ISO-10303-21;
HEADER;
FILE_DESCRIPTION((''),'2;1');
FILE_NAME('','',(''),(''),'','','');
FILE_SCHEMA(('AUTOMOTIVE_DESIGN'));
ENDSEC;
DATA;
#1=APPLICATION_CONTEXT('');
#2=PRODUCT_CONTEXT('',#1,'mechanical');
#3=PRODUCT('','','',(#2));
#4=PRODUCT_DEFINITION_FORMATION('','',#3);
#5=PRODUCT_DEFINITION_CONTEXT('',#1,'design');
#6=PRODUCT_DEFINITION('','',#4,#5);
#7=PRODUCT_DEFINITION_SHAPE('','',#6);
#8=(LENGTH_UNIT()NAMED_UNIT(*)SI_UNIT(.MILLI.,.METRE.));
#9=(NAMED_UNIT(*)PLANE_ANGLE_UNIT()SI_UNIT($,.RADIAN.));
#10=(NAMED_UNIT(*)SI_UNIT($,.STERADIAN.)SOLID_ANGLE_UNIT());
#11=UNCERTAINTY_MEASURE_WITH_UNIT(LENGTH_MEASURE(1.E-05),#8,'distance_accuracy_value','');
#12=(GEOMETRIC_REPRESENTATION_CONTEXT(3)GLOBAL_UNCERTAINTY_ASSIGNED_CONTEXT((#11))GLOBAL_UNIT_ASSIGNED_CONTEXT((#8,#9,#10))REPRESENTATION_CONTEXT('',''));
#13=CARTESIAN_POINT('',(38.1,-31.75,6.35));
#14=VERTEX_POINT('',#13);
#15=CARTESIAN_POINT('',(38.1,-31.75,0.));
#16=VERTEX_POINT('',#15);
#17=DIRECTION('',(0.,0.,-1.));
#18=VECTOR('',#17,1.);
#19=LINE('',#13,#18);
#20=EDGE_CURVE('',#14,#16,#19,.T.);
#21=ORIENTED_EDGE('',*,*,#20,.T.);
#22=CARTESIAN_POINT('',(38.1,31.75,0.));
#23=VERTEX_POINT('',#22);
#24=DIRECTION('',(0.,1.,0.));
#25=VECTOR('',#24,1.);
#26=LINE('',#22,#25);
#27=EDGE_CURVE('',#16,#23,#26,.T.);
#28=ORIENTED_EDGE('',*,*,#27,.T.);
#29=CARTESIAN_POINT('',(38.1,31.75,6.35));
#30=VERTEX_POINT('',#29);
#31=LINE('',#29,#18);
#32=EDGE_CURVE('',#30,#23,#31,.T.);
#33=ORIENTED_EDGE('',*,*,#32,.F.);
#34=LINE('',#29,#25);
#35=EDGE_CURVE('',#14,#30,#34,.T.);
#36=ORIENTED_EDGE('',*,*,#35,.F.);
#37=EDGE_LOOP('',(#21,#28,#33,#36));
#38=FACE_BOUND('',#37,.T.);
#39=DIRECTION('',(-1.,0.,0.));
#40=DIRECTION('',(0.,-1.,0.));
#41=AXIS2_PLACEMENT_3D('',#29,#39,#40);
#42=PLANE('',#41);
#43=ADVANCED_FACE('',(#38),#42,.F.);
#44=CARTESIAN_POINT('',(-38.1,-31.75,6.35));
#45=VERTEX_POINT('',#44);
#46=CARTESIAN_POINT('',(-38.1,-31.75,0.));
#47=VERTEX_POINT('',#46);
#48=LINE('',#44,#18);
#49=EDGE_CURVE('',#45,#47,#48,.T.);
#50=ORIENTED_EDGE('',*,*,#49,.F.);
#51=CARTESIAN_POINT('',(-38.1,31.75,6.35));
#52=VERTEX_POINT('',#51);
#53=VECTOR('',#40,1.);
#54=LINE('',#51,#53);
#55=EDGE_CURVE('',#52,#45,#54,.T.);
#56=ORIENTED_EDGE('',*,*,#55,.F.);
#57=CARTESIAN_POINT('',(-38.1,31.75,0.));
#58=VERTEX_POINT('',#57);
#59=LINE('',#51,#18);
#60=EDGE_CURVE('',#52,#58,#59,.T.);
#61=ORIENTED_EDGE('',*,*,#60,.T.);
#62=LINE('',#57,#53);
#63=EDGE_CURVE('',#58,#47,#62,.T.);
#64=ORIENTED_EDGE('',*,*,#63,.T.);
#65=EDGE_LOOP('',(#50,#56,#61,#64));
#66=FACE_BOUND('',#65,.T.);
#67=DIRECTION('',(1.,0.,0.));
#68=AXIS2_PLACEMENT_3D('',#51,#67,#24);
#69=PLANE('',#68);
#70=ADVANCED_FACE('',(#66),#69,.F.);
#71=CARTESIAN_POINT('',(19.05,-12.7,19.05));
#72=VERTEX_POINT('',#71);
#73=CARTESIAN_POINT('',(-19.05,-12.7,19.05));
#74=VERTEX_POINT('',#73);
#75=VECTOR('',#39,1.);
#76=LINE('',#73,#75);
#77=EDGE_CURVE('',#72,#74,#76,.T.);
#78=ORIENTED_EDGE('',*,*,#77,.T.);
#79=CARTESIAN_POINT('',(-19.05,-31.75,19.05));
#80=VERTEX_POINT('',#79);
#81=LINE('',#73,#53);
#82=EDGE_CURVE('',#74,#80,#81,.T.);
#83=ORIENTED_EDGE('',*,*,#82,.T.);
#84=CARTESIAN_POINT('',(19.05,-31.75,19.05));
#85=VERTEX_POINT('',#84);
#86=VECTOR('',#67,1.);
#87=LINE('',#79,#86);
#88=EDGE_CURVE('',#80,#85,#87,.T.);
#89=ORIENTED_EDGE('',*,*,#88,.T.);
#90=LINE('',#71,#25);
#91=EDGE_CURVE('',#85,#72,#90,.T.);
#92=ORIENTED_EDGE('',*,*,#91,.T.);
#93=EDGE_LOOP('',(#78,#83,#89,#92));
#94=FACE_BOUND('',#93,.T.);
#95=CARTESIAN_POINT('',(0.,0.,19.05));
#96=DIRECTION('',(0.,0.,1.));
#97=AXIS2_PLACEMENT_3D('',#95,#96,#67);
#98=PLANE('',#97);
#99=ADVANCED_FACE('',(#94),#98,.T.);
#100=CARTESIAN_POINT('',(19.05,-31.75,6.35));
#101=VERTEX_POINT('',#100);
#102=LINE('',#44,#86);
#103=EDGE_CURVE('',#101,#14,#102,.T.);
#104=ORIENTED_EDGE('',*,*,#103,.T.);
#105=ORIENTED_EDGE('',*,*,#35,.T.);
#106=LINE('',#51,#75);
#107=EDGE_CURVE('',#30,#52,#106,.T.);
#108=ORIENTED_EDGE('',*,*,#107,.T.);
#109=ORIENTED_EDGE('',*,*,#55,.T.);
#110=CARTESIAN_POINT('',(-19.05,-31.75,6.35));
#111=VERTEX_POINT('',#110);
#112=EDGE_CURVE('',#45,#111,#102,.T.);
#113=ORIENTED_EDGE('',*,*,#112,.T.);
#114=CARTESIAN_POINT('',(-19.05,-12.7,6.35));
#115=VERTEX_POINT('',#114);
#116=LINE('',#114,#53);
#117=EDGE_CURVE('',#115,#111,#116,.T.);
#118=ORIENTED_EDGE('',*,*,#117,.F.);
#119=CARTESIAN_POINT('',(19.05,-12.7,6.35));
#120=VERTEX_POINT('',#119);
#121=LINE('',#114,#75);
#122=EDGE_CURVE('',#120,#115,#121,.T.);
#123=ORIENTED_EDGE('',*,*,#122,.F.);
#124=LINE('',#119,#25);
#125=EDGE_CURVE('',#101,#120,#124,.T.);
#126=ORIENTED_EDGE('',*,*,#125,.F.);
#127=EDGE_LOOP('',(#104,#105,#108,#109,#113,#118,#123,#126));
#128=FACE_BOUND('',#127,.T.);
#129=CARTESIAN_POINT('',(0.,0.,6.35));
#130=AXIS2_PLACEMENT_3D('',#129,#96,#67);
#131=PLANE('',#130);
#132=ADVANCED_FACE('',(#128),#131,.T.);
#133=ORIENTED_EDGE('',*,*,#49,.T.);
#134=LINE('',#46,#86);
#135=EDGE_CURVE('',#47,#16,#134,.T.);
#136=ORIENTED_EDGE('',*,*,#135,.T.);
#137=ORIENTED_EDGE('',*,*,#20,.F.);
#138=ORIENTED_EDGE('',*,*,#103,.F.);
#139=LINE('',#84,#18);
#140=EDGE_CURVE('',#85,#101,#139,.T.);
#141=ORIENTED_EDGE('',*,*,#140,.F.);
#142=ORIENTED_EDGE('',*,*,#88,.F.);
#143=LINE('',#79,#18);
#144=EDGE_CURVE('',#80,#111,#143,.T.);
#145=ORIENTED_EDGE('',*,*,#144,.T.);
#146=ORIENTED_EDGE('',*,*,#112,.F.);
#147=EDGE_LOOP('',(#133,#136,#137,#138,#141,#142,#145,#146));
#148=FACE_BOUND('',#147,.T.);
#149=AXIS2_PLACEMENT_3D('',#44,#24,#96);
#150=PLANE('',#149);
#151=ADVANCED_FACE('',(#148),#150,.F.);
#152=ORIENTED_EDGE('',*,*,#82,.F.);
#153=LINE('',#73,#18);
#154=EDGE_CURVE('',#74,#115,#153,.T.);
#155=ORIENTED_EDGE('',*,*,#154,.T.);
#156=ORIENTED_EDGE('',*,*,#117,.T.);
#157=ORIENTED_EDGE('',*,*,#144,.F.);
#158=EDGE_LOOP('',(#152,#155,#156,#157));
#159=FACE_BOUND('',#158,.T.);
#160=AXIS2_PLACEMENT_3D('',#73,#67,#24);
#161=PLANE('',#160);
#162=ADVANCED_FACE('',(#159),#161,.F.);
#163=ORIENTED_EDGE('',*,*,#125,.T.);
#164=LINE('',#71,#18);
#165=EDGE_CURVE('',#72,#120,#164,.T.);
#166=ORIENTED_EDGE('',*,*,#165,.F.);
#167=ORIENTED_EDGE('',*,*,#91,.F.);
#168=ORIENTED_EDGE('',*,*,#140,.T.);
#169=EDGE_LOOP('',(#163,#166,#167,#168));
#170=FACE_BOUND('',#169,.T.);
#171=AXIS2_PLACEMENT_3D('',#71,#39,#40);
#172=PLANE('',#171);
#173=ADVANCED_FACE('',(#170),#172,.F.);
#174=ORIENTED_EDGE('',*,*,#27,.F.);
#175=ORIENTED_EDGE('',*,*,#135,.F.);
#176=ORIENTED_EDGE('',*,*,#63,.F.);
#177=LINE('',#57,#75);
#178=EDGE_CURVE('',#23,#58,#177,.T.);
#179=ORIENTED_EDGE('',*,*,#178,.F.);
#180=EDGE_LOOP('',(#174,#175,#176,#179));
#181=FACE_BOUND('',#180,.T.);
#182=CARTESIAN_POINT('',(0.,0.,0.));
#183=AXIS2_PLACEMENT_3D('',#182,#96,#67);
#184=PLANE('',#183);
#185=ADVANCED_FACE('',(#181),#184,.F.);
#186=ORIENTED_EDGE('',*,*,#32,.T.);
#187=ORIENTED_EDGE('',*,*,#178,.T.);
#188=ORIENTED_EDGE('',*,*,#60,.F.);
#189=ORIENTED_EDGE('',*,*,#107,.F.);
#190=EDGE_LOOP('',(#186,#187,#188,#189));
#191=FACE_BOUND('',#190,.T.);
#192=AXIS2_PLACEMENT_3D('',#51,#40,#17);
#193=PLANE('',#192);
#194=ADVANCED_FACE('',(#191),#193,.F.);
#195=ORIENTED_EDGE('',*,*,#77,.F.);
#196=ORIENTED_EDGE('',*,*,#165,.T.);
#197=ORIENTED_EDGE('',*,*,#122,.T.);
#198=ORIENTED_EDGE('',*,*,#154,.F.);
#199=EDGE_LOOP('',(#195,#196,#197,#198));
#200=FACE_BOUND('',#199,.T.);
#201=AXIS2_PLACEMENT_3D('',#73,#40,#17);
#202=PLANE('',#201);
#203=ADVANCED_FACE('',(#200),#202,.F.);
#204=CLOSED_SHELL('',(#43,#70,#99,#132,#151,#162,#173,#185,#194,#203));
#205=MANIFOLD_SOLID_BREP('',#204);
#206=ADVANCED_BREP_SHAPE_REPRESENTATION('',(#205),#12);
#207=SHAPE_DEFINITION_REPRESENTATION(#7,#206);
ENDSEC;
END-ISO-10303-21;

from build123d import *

# Parameters (mm, degrees)
SKETCH1_W           = 76.2
SKETCH1_H           = 63.5
BOSS_EXTRUDE1_DEPTH = 6.35
SKETCH2_W           = 38.1
SKETCH2_H           = 19.05
BOSS_EXTRUDE2_DEPTH = 12.7


with BuildPart() as part:
    # Sketch1 → Boss-Extrude1 (new body)
    with BuildSketch(Plane.XY):
        Rectangle(SKETCH1_W, SKETCH1_H)
    extrude(amount=BOSS_EXTRUDE1_DEPTH)

    # Sketch2 → Boss-Extrude2 (add)
    with BuildSketch(Plane.XY.offset(6.35)):
        with Locations((0, -22.225)):
            Rectangle(SKETCH2_W, SKETCH2_H)
    extrude(amount=BOSS_EXTRUDE2_DEPTH)


solid = part.part
